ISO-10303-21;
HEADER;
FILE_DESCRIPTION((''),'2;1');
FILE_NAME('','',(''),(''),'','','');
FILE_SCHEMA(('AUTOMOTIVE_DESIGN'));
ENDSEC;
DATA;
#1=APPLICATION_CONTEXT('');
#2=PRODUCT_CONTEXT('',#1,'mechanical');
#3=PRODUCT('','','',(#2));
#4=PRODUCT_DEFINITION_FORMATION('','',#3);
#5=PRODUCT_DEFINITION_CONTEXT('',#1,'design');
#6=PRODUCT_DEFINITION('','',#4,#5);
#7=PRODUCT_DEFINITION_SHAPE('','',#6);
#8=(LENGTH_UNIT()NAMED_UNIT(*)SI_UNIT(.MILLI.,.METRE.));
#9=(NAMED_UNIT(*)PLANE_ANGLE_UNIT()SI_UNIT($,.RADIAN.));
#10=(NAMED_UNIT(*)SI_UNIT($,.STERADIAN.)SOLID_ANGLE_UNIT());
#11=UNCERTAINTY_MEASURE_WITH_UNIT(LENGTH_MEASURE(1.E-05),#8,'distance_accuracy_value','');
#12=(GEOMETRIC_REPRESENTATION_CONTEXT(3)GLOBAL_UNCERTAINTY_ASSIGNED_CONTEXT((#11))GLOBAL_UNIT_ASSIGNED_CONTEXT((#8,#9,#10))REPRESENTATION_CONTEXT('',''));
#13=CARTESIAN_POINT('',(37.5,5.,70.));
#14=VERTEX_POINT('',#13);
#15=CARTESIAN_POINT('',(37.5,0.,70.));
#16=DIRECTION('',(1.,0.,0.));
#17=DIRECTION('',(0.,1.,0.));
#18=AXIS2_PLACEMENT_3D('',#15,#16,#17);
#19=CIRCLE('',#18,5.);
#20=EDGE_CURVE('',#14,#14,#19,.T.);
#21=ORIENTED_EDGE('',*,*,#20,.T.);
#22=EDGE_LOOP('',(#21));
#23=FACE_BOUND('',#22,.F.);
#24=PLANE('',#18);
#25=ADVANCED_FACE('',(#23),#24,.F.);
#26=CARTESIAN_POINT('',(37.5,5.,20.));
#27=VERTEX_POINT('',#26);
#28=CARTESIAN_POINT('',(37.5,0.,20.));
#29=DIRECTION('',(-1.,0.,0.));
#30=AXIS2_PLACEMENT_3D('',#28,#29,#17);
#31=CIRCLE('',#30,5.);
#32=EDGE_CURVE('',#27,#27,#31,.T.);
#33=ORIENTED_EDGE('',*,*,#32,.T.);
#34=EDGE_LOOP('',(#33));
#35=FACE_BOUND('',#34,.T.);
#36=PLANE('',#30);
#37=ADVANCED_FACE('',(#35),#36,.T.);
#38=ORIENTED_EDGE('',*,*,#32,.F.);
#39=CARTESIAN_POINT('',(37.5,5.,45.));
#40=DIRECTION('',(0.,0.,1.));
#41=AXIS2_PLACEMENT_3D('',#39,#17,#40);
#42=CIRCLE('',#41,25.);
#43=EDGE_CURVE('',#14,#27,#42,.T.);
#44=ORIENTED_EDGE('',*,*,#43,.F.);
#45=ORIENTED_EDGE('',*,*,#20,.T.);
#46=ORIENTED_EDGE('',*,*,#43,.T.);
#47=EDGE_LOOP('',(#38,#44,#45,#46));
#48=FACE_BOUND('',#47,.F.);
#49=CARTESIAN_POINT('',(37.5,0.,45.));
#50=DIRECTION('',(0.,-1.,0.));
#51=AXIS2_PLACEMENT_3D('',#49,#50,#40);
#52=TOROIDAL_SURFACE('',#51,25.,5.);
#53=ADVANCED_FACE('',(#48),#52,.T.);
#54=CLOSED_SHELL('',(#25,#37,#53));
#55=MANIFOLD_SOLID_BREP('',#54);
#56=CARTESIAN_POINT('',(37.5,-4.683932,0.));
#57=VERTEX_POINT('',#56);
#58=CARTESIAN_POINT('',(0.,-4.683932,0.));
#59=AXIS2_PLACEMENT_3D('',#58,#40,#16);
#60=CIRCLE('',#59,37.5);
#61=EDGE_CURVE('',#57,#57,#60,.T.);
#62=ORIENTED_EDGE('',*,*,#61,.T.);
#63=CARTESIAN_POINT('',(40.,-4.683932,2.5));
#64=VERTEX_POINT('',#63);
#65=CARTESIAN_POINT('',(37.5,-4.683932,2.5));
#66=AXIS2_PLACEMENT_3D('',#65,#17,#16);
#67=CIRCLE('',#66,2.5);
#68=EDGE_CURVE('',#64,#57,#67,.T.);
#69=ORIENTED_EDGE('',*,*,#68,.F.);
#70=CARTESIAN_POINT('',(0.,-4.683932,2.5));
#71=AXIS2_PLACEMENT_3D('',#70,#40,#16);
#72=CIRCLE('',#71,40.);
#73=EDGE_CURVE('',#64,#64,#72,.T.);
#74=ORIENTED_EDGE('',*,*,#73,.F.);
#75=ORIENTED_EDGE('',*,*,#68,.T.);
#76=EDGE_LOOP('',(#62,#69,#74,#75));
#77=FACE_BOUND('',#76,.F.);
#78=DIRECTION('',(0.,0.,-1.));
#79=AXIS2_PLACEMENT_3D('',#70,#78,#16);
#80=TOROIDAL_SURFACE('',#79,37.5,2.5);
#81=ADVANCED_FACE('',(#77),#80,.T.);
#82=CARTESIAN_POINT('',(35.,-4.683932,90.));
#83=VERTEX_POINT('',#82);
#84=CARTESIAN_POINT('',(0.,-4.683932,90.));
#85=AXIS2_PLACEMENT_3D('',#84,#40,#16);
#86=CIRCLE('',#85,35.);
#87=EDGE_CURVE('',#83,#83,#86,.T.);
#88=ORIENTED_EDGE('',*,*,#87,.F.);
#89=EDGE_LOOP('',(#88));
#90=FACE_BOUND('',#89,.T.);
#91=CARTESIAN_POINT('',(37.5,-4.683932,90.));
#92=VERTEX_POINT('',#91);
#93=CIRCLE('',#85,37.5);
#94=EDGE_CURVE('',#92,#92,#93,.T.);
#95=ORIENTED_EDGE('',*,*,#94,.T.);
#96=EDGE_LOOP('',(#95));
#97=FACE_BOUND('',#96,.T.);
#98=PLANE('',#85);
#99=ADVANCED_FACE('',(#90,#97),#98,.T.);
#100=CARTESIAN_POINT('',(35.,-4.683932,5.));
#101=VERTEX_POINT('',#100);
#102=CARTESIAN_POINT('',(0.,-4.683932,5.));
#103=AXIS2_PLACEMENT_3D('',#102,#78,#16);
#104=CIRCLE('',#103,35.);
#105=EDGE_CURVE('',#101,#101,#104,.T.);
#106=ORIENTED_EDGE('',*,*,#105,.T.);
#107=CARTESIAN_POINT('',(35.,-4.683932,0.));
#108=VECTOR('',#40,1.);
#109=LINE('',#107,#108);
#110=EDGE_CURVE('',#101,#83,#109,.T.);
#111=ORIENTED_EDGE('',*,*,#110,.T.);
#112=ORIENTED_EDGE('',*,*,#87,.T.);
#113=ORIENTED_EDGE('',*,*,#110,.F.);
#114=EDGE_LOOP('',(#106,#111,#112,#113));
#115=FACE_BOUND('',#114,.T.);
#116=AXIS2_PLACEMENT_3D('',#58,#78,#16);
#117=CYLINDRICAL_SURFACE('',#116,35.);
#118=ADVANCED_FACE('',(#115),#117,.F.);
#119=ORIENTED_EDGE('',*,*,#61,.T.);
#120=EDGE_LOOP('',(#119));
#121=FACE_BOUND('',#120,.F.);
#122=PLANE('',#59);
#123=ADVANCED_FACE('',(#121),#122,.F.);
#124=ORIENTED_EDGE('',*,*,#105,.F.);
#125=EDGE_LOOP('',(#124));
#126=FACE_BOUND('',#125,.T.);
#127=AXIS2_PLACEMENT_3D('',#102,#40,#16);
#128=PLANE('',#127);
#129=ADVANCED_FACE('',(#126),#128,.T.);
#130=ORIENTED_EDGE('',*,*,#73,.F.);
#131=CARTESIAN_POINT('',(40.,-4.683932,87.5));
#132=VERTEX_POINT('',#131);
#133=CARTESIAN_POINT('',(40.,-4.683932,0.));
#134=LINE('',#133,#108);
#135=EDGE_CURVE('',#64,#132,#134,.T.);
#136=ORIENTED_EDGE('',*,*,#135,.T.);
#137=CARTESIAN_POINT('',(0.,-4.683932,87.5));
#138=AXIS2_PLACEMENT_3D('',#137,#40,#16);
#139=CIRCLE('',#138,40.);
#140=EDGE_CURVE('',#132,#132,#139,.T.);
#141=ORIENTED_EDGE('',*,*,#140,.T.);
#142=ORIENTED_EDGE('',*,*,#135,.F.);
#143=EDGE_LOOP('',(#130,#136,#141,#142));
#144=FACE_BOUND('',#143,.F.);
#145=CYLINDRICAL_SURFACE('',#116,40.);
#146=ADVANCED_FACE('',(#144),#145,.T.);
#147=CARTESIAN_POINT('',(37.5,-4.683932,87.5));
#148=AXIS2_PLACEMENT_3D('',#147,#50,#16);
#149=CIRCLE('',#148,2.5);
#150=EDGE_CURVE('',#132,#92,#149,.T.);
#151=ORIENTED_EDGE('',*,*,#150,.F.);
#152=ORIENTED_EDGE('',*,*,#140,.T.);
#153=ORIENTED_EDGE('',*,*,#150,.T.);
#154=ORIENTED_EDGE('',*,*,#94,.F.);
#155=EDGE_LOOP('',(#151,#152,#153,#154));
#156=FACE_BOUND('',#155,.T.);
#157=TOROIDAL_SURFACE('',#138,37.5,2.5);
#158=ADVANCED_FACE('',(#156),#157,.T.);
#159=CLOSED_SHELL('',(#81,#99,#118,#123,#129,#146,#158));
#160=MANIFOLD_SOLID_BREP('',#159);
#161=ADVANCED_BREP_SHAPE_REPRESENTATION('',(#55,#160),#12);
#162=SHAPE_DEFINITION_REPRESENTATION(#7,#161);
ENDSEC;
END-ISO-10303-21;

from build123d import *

# Parameters (mm, degrees)
F0_R     = 40
F1_DEPTH = 90
F2_T     = -5
F4_R     = 5
F5_ANGLE = 180
F6_R     = 2.5


with BuildPart() as f1:
    # F0 (on Top) → F1 (new body)
    with BuildSketch(Plane.XY):
        with Locations((0, -4.683932)):
            Circle(F0_R)
    extrude(amount=F1_DEPTH)

    # F2
    f2_openings = [f1.faces().sort_by_distance(p)[0] for p in [
        (0, -4.683932, 90),
    ]]
    offset(amount=F2_T, openings=f2_openings)

    # F6
    f6_edges = [f1.edges().sort_by_distance(p)[0] for p in [
        (-40, -4.683932, 90),
        (-40, -4.683932, 0),
    ]]
    fillet(f6_edges, radius=F6_R)


with BuildPart() as f5:
    # F4 (on offset) → F5 (revolve)
    with BuildSketch(Plane.YZ.offset(37.5)):
        with Locations((0, 70)):
            Circle(F4_R)
    revolve(axis=Axis((37.5, 9.839395, 45), (0, 1, 0)), revolution_arc=F5_ANGLE)


solid = Compound([f1.part, f5.part])
